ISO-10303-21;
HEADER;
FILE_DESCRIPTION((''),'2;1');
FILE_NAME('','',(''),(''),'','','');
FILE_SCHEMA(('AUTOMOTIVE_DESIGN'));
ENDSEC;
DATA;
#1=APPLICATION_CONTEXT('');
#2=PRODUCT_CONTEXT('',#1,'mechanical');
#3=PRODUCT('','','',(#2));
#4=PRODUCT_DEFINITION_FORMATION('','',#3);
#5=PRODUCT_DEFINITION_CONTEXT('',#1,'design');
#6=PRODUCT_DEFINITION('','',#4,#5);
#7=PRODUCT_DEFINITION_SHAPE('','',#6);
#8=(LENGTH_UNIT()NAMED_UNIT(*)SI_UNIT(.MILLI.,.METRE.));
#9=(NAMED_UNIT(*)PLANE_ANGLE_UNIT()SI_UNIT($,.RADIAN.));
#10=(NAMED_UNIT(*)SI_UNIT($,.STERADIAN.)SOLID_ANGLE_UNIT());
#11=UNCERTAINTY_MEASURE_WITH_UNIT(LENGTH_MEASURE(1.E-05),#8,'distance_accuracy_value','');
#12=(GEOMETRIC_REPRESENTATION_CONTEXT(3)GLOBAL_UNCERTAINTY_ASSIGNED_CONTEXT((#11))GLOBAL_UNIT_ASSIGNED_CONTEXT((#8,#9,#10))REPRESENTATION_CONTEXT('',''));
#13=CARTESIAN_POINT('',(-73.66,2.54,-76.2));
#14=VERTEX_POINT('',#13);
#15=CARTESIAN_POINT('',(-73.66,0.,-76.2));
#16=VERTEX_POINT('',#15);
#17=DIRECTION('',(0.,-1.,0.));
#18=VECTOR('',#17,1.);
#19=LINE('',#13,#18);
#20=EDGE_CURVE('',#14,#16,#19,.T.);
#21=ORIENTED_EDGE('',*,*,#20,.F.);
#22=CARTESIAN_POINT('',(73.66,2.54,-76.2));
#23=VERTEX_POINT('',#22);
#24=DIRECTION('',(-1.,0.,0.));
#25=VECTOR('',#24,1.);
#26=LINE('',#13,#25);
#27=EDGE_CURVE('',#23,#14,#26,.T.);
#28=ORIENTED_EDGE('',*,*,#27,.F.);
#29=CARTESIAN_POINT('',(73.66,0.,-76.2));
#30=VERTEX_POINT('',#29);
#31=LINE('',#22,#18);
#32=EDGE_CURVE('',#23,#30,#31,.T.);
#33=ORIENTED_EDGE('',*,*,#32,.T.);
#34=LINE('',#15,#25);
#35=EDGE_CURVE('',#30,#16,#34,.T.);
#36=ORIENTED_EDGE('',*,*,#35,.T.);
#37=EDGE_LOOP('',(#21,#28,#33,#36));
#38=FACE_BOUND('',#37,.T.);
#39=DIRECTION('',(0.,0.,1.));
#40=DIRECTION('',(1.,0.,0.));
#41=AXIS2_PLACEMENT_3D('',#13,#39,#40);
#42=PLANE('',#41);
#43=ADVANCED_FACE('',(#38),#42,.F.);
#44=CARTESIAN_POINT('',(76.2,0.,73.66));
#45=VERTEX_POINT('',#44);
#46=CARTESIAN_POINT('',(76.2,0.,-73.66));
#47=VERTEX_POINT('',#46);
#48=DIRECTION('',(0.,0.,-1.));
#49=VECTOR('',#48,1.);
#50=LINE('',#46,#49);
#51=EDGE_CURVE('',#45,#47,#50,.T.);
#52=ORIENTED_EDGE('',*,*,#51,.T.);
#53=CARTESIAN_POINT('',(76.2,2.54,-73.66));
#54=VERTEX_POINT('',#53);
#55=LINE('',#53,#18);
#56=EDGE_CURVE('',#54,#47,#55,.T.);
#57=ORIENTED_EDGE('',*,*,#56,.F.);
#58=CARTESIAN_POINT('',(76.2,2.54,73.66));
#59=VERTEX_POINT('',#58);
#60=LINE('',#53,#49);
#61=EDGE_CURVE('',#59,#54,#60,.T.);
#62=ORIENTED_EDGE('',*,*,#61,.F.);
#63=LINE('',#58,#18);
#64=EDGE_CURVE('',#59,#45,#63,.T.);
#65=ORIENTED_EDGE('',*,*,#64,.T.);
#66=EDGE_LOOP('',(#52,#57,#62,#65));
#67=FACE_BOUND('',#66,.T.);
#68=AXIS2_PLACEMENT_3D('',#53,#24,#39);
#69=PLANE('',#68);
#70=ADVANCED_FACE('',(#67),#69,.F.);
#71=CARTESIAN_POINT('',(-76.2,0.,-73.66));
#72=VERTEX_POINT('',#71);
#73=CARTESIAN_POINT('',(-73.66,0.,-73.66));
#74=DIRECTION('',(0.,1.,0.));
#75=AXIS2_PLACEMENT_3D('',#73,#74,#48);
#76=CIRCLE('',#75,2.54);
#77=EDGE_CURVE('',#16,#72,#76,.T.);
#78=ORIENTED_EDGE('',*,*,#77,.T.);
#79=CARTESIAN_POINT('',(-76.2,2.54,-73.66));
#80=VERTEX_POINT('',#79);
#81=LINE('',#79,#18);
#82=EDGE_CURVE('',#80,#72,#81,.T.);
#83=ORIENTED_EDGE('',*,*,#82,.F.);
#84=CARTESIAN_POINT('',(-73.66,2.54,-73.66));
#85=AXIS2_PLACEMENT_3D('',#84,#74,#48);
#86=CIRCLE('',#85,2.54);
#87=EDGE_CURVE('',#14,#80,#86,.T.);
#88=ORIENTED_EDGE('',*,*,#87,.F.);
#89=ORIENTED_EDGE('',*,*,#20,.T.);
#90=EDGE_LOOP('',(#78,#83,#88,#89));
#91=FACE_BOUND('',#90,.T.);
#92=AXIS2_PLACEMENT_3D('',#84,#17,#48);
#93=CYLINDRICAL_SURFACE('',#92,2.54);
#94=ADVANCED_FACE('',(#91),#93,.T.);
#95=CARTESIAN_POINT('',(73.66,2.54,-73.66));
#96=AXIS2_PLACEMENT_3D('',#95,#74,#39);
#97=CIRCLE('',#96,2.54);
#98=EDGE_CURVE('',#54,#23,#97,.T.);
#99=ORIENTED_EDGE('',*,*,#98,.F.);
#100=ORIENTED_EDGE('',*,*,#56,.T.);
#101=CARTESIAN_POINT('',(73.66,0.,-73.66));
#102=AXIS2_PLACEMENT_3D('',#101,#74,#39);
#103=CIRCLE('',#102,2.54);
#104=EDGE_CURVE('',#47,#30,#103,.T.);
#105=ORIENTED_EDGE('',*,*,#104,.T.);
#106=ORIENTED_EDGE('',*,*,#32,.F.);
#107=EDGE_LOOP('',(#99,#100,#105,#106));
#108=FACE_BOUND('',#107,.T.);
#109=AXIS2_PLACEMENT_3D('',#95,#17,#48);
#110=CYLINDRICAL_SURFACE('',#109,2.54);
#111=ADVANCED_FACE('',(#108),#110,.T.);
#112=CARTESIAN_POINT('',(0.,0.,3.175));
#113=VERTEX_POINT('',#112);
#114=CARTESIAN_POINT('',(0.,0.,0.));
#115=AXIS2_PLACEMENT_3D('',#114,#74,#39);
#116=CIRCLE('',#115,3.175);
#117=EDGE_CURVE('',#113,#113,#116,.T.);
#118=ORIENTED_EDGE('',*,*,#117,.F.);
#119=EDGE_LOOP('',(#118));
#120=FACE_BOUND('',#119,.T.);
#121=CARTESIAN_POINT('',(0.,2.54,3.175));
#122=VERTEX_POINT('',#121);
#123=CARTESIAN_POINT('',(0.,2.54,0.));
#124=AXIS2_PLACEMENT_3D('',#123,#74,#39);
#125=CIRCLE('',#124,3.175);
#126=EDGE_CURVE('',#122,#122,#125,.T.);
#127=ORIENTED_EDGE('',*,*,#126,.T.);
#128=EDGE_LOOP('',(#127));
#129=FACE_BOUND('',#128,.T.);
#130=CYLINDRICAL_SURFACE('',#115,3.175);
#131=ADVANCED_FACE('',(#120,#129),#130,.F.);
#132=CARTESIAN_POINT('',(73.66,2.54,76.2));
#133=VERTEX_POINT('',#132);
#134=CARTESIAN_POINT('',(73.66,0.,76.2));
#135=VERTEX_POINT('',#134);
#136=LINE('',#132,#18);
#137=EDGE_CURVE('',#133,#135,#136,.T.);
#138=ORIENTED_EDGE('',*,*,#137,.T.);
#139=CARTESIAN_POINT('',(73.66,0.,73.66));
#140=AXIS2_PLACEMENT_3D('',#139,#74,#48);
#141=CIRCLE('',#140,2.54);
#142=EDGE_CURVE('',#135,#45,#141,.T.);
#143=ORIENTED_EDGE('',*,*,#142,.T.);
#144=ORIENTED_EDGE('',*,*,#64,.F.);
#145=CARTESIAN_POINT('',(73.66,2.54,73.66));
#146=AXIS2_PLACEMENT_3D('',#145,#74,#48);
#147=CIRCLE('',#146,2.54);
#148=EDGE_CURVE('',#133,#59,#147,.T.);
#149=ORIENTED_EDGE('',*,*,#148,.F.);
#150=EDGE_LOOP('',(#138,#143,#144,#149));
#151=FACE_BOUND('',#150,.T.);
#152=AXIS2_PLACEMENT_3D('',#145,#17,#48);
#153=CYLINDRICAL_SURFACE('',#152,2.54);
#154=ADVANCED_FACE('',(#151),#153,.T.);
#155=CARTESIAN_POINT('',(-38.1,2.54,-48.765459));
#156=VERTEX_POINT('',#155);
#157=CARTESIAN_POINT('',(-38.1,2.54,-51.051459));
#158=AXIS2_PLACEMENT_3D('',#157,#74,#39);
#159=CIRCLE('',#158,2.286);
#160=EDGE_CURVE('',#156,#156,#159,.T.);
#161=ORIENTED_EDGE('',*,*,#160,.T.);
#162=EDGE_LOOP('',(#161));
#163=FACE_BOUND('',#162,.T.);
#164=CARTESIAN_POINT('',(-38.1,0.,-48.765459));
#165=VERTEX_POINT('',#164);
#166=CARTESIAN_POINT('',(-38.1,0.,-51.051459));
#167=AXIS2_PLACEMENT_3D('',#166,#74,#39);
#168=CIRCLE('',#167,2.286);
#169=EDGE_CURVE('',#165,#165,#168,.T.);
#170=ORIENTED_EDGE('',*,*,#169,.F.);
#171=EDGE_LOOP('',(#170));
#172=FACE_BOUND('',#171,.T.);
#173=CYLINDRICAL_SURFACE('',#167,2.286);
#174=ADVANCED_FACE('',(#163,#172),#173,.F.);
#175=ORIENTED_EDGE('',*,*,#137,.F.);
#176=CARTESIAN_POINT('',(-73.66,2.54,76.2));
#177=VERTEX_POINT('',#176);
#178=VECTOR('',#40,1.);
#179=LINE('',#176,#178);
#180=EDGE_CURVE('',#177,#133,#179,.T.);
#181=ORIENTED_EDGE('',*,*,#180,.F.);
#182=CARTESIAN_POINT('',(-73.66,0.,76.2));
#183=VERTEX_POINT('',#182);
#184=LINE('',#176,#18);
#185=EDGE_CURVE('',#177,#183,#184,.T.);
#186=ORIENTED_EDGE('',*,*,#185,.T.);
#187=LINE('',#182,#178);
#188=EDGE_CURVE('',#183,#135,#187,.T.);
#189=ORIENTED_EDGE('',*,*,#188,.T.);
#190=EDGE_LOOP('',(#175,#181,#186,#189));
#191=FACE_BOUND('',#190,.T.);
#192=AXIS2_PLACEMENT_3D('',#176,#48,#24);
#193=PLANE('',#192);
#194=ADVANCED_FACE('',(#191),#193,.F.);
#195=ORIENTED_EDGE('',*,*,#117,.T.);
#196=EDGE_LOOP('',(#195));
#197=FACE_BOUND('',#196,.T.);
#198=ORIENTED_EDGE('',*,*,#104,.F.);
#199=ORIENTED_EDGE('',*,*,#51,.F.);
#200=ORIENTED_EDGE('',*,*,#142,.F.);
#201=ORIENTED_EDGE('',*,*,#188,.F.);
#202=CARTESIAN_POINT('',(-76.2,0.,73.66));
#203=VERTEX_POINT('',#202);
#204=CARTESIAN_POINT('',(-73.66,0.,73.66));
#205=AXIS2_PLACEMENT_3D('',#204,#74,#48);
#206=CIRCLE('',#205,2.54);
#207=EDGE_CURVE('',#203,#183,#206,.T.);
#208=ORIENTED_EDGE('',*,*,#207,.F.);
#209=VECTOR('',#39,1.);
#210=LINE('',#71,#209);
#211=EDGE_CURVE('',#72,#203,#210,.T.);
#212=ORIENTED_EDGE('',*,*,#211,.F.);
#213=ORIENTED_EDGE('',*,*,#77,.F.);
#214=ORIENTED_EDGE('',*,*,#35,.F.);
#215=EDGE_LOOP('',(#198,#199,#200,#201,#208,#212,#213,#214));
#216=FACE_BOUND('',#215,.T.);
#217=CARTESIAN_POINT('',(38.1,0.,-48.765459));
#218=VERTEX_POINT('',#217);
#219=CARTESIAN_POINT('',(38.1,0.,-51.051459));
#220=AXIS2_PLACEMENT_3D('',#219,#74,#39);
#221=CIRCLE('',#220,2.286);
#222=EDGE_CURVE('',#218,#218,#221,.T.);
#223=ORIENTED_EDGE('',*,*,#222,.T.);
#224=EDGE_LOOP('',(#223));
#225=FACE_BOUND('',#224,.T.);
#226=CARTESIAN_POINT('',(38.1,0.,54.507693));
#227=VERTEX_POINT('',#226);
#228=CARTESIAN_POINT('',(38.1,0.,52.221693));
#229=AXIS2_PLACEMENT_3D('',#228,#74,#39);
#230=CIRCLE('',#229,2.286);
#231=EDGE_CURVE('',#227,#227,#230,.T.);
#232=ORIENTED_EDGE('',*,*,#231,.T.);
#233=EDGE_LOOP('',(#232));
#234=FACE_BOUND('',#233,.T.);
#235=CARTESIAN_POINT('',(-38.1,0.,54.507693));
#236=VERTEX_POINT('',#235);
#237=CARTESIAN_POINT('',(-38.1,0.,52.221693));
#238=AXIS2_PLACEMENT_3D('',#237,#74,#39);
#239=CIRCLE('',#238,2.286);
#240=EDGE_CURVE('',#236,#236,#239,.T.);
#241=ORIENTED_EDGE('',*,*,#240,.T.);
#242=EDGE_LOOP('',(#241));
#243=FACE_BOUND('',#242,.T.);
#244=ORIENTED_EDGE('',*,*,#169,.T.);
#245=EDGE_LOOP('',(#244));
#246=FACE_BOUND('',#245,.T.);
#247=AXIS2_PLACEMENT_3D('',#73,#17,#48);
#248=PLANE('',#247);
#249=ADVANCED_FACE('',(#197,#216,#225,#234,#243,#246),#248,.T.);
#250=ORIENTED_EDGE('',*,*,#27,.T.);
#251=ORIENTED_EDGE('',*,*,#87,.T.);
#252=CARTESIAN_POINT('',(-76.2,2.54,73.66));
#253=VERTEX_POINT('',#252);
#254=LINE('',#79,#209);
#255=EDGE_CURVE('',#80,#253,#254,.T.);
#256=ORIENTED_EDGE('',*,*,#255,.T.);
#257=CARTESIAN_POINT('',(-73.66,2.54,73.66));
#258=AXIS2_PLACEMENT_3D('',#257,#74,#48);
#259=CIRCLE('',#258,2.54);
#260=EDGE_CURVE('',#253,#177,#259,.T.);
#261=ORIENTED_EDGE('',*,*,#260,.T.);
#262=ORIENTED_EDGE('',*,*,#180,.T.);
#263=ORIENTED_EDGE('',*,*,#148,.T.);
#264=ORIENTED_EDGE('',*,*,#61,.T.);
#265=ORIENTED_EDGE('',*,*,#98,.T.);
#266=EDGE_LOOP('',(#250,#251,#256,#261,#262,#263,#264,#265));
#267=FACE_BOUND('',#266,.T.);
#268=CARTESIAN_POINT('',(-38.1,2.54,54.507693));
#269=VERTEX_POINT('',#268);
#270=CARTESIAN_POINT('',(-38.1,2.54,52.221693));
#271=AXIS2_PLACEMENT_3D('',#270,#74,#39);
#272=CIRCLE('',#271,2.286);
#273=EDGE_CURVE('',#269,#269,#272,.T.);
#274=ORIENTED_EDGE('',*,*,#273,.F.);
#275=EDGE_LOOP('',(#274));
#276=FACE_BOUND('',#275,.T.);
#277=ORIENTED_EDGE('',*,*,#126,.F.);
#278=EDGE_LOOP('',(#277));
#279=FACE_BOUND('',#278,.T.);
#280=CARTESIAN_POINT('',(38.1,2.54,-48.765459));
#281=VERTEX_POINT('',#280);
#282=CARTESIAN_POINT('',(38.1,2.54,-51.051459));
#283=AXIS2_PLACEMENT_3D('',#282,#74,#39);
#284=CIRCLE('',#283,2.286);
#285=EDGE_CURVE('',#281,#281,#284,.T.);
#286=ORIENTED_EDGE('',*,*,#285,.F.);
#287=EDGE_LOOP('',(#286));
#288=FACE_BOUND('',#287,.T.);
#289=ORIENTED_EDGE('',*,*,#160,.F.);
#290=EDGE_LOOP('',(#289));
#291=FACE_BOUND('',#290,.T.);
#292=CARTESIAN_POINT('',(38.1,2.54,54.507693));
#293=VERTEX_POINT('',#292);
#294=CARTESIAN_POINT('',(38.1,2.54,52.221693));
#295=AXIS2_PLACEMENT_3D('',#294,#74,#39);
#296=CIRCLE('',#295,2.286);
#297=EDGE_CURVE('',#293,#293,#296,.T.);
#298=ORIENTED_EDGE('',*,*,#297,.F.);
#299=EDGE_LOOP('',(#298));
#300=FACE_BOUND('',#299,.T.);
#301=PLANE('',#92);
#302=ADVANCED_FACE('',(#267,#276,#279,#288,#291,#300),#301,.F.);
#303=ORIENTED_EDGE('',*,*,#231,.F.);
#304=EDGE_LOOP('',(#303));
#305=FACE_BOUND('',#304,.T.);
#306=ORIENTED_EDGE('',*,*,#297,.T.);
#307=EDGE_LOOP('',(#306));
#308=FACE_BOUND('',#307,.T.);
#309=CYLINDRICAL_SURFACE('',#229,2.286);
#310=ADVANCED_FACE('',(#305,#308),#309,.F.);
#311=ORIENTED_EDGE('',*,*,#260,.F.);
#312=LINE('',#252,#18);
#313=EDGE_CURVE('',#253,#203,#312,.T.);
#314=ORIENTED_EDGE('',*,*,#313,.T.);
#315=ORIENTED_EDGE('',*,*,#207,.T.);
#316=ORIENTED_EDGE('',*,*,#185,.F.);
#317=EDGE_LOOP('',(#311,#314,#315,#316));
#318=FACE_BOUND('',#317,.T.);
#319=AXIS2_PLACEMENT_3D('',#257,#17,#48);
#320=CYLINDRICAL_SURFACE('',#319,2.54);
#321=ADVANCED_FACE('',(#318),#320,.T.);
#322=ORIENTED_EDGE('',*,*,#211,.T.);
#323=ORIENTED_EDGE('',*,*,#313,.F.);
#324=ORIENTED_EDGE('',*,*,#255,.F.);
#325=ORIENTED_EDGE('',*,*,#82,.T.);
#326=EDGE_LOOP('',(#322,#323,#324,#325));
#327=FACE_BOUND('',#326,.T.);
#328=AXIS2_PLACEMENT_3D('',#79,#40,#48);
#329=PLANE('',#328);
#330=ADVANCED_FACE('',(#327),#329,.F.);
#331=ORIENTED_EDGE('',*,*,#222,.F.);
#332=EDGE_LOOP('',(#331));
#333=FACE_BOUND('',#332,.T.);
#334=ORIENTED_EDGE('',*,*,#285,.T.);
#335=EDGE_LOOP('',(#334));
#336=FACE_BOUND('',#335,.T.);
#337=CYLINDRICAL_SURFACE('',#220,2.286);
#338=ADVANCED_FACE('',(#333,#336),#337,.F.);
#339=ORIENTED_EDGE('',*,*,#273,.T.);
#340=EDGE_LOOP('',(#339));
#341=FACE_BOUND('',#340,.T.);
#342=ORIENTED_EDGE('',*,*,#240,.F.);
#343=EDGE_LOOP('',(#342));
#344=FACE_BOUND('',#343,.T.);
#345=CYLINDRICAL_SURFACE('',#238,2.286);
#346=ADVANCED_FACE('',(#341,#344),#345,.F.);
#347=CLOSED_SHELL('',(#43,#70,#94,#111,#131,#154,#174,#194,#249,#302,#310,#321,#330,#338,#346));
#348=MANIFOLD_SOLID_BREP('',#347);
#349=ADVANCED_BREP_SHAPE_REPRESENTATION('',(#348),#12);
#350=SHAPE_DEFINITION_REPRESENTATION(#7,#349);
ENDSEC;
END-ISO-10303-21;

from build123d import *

# Parameters (mm, degrees)
SKETCH1_R           = 1.4224
BOSS_EXTRUDE1_DEPTH = 2.54
SKETCH2_R           = 2.286
SKETCH2_R_2         = 3.175
CUT_EXTRUDE1_DEPTH  = 3.54


with BuildPart() as part:
    # Sketch1 → Boss-Extrude1 (new body)
    with BuildSketch(Plane(origin=(0, 0, 0), x_dir=(1, 0, 0), z_dir=(0, 1, 0))):
        with BuildLine():
            Line((-73.66, 76.2), (73.66, 76.2))
            ThreePointArc((73.66, 76.2), (75.456051224, 75.456051224), (76.2, 73.66))
            Line((76.2, 73.66), (76.2, -73.66))
            ThreePointArc((76.2, -73.66), (75.456051224, -75.456051224), (73.66, -76.2))
            Line((73.66, -76.2), (-73.66, -76.2))
            ThreePointArc((-73.66, -76.2), (-75.456051224, -75.456051224), (-76.2, -73.66))
            Line((-76.2, -73.66), (-76.2, 73.66))
            ThreePointArc((-76.2, 73.66), (-75.456051224, 75.456051224), (-73.66, 76.2))
        make_face()
        Circle(SKETCH1_R, mode=Mode.SUBTRACT)
    extrude(amount=BOSS_EXTRUDE1_DEPTH)

    # Sketch2 → Cut-Extrude1 (cut, through all)
    with BuildSketch(Plane(origin=(0, 2.54, 0), x_dir=(1, 0, 0), z_dir=(0, 1, 0))):
        with Locations((-38.1, 51.05145896)):
            Circle(SKETCH2_R)
        with Locations((38.1, 51.05145896)):
            Circle(SKETCH2_R)
        with Locations((38.1, -52.221692976)):
            Circle(SKETCH2_R)
        with Locations((-38.1, -52.221692976)):
            Circle(SKETCH2_R)
        Circle(SKETCH2_R_2)
    extrude(amount=-CUT_EXTRUDE1_DEPTH, mode=Mode.SUBTRACT)


solid = part.part
